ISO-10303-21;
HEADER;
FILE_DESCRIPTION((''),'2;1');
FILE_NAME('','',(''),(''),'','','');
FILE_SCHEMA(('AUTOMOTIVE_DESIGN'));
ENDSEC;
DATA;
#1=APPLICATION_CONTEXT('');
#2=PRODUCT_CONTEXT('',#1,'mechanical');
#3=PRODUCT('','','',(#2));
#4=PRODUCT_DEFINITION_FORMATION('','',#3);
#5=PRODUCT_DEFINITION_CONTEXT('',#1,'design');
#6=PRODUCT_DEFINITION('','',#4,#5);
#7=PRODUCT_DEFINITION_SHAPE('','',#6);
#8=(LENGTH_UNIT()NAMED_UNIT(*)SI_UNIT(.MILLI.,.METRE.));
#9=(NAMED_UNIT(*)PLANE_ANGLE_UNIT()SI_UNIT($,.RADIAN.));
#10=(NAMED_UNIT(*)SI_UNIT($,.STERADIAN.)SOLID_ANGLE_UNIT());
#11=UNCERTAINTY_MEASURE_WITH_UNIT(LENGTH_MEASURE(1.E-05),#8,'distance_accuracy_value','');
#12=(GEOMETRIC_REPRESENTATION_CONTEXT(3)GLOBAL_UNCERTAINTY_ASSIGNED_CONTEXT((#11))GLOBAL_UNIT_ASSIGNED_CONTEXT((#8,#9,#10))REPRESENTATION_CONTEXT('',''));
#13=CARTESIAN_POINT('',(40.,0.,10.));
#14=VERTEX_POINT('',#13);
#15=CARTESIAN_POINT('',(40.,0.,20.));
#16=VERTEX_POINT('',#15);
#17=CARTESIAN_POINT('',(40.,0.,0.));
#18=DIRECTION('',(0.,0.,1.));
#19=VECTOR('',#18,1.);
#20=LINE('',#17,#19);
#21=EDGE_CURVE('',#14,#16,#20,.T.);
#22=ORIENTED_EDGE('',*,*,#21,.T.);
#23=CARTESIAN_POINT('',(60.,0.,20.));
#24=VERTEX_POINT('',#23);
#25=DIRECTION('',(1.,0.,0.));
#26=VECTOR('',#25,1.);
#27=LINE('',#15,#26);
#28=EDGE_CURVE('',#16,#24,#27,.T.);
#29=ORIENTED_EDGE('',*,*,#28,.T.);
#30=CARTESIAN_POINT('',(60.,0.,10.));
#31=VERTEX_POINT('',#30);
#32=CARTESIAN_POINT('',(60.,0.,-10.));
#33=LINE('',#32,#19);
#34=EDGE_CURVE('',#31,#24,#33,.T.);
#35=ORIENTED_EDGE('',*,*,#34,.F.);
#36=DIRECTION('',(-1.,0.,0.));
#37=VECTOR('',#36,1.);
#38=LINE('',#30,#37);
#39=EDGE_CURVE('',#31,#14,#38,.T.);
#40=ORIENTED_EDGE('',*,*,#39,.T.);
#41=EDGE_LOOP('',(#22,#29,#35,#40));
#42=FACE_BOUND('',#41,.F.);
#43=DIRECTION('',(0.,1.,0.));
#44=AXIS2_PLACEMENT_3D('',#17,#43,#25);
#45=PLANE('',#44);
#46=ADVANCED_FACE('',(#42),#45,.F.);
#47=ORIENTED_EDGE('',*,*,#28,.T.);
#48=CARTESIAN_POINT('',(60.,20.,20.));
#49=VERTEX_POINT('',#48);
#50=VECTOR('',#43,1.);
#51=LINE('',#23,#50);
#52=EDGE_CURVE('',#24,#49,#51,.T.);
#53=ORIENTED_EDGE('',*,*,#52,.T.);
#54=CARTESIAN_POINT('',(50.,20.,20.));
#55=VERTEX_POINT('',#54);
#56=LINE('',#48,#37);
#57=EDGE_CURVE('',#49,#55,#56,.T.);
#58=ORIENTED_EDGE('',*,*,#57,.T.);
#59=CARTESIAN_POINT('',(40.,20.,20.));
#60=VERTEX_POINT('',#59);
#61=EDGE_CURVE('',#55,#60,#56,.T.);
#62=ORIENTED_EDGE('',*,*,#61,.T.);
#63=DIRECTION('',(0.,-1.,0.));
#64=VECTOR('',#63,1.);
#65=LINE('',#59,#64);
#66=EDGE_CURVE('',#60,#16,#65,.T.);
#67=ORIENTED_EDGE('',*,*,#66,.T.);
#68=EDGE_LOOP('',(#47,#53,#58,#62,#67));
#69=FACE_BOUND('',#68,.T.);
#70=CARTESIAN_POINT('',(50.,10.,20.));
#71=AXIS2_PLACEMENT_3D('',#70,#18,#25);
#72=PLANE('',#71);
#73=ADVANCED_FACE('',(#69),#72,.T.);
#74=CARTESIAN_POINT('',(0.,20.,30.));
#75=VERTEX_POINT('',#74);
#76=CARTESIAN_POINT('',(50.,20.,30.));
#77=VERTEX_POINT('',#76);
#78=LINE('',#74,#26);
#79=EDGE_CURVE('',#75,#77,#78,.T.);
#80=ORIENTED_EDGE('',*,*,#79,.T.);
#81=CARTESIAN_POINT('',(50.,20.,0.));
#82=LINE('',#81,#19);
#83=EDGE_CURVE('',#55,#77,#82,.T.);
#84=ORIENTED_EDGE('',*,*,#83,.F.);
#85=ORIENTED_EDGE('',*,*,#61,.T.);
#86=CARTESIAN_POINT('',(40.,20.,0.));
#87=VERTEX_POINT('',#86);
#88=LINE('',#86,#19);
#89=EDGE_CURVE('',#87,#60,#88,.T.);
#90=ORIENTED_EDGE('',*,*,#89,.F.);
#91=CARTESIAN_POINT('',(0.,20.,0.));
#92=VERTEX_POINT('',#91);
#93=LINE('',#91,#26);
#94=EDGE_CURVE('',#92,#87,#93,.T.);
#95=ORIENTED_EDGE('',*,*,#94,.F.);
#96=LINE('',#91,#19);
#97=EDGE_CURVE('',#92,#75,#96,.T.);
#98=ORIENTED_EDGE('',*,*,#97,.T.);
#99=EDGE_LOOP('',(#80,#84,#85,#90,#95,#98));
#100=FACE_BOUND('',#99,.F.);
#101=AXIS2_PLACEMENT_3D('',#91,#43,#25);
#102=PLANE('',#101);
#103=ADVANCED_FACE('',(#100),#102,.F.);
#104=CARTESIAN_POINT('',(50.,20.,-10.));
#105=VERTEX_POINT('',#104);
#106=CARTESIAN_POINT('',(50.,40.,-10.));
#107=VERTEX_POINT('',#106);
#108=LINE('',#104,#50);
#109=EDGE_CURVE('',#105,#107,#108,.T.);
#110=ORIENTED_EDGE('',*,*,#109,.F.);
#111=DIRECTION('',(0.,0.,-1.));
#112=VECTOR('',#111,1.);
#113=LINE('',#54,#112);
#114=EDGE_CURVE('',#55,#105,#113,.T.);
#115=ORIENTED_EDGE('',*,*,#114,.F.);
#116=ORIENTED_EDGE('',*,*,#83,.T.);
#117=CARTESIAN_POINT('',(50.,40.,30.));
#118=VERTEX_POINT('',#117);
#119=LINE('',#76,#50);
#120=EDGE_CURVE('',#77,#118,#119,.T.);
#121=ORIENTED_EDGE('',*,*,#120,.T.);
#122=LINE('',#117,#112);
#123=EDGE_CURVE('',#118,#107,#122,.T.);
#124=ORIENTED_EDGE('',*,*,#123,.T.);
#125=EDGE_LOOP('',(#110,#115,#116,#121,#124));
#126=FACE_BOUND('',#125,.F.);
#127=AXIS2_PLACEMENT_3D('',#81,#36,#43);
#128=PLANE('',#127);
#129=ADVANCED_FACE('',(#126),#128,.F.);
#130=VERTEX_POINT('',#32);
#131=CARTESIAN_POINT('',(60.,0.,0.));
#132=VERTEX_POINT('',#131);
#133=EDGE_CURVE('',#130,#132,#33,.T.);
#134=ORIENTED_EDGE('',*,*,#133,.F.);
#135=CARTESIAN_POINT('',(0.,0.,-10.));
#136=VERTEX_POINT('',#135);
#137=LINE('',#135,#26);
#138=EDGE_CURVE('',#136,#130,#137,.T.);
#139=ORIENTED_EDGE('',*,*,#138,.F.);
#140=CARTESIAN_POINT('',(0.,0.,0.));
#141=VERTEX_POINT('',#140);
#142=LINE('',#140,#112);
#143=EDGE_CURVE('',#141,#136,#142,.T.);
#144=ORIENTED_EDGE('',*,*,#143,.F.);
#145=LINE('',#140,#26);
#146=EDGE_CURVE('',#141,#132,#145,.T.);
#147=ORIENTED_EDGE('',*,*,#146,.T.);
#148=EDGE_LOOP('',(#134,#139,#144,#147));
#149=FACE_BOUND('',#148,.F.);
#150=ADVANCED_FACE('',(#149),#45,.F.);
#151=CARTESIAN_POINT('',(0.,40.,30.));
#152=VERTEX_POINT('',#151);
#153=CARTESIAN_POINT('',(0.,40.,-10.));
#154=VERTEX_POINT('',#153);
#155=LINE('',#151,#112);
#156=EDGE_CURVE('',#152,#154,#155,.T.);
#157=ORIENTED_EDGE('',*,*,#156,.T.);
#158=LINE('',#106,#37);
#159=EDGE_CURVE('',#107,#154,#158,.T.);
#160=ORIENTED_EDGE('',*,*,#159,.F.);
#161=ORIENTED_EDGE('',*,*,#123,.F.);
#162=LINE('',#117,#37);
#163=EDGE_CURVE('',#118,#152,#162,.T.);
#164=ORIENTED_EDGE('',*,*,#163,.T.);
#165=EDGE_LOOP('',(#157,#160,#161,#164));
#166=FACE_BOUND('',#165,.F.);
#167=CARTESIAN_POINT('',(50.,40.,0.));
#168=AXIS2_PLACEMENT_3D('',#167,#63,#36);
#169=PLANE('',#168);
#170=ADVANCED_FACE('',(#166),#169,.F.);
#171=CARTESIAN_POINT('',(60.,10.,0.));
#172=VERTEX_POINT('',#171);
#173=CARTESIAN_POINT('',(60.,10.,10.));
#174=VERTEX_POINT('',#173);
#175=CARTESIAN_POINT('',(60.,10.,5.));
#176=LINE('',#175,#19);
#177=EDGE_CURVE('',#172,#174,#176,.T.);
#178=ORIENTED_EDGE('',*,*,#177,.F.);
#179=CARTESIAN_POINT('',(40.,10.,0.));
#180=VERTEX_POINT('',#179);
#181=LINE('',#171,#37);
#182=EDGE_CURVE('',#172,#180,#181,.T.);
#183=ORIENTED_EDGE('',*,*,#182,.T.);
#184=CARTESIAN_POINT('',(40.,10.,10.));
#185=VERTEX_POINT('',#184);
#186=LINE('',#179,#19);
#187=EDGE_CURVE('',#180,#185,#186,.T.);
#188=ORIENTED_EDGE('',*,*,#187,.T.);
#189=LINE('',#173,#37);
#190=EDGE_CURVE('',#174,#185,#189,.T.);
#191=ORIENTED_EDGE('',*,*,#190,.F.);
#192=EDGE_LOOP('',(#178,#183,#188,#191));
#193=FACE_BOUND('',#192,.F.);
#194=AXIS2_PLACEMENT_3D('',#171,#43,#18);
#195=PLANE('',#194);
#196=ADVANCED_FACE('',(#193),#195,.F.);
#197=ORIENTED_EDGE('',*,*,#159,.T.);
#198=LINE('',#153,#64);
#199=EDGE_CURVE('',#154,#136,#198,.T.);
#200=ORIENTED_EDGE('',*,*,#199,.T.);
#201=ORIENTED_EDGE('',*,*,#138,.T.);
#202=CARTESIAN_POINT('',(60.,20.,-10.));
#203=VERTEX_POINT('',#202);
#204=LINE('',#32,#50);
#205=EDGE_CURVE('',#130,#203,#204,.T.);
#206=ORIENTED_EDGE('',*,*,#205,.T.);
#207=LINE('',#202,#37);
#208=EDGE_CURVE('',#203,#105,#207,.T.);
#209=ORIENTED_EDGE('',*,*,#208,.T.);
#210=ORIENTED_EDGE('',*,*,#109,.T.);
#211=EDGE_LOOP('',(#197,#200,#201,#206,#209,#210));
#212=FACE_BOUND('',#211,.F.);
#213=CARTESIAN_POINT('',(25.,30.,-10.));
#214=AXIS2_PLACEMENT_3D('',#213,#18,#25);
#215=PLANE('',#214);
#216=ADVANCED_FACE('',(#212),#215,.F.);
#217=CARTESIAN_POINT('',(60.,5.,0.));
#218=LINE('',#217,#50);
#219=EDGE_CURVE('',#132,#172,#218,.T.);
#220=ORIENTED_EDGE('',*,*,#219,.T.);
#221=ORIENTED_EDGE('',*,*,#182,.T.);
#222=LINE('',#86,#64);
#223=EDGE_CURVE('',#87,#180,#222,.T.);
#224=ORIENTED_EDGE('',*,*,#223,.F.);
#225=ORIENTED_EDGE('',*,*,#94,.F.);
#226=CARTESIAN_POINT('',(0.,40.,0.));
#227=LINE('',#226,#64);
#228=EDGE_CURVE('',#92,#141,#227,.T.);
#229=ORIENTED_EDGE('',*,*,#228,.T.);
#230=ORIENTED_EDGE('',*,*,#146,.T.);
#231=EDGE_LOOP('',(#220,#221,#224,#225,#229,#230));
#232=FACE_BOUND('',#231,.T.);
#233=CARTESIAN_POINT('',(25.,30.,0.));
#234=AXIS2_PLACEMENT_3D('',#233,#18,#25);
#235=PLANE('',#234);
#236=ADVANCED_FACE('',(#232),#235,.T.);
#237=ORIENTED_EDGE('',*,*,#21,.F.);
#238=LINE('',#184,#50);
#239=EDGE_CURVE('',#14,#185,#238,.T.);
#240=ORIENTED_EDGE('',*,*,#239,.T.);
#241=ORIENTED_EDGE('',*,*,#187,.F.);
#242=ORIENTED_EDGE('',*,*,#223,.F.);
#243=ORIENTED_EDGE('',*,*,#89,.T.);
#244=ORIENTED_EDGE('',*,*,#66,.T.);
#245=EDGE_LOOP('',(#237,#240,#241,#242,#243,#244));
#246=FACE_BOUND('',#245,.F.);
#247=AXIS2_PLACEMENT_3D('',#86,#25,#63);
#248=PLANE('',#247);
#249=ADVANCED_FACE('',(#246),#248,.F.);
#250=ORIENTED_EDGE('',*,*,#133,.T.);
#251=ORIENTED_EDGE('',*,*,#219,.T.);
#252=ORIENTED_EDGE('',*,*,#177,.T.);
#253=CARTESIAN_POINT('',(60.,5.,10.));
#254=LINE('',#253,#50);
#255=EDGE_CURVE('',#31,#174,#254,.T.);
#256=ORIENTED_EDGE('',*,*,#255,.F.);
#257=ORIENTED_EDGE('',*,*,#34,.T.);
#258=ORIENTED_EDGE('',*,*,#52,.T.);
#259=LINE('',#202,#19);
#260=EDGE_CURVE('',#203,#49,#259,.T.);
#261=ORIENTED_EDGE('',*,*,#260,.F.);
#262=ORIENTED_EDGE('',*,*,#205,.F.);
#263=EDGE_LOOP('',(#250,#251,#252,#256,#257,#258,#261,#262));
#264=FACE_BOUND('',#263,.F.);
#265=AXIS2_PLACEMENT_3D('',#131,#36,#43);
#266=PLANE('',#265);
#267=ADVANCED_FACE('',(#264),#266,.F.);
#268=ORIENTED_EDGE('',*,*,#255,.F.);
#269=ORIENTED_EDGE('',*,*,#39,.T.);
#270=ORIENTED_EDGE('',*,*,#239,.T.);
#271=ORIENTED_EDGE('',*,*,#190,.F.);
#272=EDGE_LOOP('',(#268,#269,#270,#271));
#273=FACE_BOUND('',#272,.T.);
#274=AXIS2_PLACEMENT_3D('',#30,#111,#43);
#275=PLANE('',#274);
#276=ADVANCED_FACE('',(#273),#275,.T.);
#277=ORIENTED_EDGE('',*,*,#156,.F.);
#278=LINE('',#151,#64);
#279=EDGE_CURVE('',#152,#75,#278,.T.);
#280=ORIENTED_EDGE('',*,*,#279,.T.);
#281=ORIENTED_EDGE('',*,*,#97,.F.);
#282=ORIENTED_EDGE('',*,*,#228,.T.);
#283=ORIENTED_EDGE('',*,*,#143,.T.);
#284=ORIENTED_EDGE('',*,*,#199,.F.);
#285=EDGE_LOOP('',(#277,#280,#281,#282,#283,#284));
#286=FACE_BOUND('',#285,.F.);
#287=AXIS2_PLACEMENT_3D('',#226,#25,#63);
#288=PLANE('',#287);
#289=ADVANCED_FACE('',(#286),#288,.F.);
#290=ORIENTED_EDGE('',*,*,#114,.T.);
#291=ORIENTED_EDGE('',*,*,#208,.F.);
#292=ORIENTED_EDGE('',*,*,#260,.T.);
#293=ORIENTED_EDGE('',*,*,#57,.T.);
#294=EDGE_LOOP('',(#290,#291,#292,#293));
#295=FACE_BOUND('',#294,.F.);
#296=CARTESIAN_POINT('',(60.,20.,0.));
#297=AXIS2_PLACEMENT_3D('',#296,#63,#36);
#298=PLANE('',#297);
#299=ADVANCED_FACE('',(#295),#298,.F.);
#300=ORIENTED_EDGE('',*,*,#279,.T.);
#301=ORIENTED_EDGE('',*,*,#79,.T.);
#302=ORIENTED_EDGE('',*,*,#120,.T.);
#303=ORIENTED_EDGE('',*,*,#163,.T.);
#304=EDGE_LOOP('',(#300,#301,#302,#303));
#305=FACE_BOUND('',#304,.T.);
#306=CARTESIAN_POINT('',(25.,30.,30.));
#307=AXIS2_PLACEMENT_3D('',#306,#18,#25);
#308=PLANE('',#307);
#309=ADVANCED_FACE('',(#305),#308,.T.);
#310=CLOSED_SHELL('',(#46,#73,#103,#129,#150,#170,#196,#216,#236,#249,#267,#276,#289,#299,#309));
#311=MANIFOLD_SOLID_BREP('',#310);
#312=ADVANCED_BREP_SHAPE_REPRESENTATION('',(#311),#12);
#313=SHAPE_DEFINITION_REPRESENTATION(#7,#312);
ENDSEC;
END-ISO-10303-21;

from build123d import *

# Parameters (mm, degrees)
F0_W     = 40
F0_H     = 20
F1_DEPTH = 10
F2_DEPTH = 30
F3_DEPTH = 20
F4_W     = 10
F4_H     = 10
F5_DEPTH = 25


with BuildPart() as f1:
    # F0 (on Top) → F1 (new body)
    with BuildSketch(Plane.XY):
        Polygon((0, 40), (0, 20), (40, 20), (50, 20), (50, 40), align=None)
        with Locations((20, 10)):
            Rectangle(F0_W, F0_H)
        Polygon((40, 20), (40, 0), (60, 0), (60, 20), (50, 20), align=None)
    extrude(amount=-F1_DEPTH)

    # F0 (on Top) → F2 (join)
    with BuildSketch(Plane.XY):
        Polygon((0, 40), (0, 20), (40, 20), (50, 20), (50, 40), align=None)
    extrude(amount=F2_DEPTH)

    # F0 (on Top) → F3 (join)
    with BuildSketch(Plane.XY):
        Polygon((40, 20), (40, 0), (60, 0), (60, 20), (50, 20), align=None)
    extrude(amount=F3_DEPTH)

    # F4 (on face) → F5 (cut)
    with BuildSketch(Plane.YZ.offset(60)):
        with Locations((5, 5)):
            Rectangle(F4_W, F4_H)
    extrude(amount=-F5_DEPTH, mode=Mode.SUBTRACT)


solid = f1.part
